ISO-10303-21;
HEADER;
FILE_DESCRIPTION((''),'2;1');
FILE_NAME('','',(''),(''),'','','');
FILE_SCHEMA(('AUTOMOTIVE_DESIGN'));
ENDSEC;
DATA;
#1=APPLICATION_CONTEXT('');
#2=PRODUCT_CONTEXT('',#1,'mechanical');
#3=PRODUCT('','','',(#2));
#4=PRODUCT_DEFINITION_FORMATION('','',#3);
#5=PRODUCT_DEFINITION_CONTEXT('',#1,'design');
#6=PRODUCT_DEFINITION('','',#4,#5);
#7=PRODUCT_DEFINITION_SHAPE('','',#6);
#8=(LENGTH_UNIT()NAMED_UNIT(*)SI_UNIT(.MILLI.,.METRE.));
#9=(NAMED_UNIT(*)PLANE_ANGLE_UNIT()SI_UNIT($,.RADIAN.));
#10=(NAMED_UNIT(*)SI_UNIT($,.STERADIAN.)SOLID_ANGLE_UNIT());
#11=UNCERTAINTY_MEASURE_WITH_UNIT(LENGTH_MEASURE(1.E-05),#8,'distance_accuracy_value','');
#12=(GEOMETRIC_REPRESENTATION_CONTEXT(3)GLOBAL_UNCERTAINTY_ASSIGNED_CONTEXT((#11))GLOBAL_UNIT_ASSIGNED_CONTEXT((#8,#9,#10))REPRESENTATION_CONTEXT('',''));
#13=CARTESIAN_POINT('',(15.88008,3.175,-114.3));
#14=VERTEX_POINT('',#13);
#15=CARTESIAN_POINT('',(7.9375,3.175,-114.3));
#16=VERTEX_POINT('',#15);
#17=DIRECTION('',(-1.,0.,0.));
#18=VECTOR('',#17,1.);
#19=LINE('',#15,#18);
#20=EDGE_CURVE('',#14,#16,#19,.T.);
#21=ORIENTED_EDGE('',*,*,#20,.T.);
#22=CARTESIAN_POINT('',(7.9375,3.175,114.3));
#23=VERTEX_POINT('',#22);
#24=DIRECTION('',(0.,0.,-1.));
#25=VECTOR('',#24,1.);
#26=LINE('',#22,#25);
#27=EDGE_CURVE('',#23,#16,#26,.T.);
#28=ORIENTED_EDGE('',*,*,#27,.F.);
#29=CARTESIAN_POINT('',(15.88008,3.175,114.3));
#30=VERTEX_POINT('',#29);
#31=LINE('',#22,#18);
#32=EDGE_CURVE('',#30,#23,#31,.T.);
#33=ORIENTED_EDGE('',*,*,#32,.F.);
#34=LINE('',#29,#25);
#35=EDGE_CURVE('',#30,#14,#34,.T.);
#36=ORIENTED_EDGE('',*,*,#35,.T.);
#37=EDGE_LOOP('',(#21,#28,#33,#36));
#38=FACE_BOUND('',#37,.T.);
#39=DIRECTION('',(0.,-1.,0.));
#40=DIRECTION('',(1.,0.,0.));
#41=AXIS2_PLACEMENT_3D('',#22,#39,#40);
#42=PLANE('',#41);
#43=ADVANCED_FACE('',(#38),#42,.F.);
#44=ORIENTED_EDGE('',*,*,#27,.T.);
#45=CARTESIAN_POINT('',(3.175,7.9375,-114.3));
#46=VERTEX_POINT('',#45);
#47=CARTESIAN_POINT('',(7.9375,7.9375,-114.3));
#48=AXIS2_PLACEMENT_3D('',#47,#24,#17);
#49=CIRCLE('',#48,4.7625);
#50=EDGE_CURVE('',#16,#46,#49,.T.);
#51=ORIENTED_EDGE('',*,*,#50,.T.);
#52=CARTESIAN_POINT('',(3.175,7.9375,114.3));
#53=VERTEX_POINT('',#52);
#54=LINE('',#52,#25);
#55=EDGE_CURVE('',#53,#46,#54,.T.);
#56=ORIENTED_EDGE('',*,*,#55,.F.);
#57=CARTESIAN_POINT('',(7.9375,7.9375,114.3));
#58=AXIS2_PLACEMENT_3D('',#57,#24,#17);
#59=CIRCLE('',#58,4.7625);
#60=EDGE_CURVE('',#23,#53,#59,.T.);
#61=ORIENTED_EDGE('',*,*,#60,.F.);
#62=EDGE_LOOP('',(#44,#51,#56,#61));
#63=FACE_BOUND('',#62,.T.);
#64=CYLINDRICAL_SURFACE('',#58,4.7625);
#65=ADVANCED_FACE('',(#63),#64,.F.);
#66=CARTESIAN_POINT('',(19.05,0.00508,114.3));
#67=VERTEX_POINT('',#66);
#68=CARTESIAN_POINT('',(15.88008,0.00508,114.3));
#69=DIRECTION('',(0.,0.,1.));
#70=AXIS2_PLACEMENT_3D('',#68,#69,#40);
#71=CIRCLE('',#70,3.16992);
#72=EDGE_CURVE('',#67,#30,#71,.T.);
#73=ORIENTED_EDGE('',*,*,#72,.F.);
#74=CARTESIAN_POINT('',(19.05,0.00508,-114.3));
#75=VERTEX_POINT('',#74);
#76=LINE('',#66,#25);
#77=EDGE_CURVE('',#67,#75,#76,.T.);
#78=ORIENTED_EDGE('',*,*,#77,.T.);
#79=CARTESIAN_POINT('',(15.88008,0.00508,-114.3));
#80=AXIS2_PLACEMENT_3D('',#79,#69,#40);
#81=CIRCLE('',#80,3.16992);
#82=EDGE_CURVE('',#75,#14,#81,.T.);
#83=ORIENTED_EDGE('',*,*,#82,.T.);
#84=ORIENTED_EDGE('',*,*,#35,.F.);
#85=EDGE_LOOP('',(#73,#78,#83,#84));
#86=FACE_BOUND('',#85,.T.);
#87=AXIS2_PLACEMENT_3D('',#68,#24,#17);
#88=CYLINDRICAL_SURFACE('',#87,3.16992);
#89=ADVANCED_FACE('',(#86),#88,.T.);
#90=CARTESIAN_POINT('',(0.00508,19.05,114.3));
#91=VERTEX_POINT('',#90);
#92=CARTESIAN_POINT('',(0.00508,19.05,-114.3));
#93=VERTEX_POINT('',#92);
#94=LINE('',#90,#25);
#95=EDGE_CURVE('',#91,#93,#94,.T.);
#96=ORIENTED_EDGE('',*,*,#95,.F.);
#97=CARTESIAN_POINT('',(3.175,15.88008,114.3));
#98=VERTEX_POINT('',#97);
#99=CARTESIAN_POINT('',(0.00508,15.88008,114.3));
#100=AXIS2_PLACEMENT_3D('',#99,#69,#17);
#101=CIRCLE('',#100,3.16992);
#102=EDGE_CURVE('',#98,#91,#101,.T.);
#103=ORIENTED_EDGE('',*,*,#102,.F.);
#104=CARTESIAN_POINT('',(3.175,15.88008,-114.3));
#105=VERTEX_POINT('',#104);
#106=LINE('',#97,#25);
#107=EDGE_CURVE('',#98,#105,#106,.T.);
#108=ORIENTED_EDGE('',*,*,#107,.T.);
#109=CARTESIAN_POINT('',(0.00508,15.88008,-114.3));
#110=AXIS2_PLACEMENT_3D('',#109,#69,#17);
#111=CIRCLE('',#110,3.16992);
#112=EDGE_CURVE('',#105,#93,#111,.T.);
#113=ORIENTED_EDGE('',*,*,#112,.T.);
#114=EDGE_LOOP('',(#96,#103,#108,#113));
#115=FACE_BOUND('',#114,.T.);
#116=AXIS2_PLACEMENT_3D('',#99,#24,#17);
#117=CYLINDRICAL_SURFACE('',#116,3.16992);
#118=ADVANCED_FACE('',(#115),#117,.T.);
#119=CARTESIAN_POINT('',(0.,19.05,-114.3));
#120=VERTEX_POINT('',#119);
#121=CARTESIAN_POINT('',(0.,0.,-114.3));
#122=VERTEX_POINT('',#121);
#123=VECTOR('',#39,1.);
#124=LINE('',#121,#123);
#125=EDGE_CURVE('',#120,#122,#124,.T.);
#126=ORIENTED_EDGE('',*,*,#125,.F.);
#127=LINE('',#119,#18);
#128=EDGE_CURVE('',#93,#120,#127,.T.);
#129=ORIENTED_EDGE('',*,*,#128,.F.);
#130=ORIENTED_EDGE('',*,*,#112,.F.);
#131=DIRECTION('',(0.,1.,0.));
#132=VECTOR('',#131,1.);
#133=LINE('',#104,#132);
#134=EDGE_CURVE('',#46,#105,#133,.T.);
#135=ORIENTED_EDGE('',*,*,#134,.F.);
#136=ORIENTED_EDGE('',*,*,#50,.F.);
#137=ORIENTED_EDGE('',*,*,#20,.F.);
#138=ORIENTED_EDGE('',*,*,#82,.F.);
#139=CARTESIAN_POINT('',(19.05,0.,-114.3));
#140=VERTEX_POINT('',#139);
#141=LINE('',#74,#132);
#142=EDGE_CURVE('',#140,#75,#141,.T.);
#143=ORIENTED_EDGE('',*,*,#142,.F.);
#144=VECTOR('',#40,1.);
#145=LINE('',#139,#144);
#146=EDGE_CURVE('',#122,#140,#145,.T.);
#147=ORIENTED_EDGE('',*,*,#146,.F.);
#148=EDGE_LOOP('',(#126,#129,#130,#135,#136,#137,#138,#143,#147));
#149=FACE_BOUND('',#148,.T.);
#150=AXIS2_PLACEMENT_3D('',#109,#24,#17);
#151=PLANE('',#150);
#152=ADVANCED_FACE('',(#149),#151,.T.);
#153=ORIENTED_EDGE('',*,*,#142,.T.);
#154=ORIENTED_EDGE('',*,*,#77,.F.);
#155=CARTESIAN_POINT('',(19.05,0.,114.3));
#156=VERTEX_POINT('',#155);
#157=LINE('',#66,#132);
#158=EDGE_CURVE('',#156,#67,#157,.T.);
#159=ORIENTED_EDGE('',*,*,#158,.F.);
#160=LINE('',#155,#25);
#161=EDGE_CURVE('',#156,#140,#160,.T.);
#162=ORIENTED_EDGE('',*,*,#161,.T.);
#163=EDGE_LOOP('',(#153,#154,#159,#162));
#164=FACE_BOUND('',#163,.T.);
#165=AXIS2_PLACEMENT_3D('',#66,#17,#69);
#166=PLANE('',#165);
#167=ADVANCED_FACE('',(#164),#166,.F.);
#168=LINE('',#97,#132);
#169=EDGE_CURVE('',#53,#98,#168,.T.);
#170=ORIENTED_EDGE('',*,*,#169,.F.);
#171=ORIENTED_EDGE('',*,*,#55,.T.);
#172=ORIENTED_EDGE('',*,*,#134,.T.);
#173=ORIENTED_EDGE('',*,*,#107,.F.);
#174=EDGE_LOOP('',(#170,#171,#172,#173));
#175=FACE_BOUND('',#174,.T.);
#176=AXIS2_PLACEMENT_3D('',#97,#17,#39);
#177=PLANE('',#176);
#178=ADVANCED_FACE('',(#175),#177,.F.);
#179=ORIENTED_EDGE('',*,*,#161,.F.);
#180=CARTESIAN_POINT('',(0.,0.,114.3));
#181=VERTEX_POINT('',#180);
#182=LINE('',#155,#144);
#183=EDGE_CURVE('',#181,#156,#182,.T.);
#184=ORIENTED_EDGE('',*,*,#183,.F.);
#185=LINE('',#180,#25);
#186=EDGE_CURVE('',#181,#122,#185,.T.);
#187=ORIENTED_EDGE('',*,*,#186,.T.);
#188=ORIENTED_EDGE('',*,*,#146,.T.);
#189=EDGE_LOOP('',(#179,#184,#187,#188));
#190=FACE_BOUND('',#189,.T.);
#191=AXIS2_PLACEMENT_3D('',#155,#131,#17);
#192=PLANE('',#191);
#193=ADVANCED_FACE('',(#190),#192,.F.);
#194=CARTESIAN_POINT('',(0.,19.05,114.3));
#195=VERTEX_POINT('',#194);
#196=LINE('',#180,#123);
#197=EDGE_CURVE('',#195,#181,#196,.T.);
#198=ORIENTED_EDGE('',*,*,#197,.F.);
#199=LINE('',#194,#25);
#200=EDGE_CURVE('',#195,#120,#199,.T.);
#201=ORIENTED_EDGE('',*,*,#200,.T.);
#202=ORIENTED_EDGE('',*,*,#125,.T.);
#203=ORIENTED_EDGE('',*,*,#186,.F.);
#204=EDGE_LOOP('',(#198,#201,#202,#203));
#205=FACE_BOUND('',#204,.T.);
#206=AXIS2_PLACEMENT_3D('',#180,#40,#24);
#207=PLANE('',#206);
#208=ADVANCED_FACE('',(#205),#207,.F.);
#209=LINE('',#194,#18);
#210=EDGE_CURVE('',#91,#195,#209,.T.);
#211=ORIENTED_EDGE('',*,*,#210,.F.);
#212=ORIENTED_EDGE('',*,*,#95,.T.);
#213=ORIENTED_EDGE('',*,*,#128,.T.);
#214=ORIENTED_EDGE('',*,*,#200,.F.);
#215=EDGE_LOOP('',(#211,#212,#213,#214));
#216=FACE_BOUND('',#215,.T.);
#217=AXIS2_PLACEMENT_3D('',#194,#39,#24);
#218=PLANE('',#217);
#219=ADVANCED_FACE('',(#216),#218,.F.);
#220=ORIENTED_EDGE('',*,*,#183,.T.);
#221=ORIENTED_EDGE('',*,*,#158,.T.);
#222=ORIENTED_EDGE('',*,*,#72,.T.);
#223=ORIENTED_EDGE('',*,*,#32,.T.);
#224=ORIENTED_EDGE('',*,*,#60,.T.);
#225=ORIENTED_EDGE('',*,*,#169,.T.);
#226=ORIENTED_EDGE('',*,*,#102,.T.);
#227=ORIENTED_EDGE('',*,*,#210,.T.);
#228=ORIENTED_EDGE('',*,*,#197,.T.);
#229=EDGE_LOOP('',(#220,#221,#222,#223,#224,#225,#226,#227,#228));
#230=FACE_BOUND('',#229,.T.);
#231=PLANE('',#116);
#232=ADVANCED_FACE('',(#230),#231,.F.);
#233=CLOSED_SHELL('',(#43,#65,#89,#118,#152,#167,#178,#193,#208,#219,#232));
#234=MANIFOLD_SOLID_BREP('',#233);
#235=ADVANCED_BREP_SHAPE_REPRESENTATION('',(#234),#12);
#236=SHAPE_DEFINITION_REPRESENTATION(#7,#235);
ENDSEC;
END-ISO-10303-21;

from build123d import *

# Parameters (mm, degrees)
BASESTEELANGLE_DEPTH = 114.3


with BuildPart() as part:
    # Sketch1 → BaseSteelAngle (new body, symmetric)
    with BuildSketch(Plane.XY):
        with BuildLine():
            Line((0, 0), (0, 19.05))
            Line((0, 19.05), (0.00508, 19.05))
            ThreePointArc((0.00508, 19.05), (2.246551928, 18.121551928), (3.175, 15.88008))
            Line((3.175, 15.88008), (3.175, 7.9375))
            ThreePointArc((3.175, 7.9375), (4.569903955, 4.569903955), (7.9375, 3.175))
            Line((7.9375, 3.175), (15.88008, 3.175))
            ThreePointArc((15.88008, 3.175), (18.121551928, 2.246551928), (19.05, 0.00508))
            Line((19.05, 0.00508), (19.05, 0))
            Line((19.05, 0), (0, 0))
        make_face()
    extrude(amount=BASESTEELANGLE_DEPTH, both=True)


solid = part.part
